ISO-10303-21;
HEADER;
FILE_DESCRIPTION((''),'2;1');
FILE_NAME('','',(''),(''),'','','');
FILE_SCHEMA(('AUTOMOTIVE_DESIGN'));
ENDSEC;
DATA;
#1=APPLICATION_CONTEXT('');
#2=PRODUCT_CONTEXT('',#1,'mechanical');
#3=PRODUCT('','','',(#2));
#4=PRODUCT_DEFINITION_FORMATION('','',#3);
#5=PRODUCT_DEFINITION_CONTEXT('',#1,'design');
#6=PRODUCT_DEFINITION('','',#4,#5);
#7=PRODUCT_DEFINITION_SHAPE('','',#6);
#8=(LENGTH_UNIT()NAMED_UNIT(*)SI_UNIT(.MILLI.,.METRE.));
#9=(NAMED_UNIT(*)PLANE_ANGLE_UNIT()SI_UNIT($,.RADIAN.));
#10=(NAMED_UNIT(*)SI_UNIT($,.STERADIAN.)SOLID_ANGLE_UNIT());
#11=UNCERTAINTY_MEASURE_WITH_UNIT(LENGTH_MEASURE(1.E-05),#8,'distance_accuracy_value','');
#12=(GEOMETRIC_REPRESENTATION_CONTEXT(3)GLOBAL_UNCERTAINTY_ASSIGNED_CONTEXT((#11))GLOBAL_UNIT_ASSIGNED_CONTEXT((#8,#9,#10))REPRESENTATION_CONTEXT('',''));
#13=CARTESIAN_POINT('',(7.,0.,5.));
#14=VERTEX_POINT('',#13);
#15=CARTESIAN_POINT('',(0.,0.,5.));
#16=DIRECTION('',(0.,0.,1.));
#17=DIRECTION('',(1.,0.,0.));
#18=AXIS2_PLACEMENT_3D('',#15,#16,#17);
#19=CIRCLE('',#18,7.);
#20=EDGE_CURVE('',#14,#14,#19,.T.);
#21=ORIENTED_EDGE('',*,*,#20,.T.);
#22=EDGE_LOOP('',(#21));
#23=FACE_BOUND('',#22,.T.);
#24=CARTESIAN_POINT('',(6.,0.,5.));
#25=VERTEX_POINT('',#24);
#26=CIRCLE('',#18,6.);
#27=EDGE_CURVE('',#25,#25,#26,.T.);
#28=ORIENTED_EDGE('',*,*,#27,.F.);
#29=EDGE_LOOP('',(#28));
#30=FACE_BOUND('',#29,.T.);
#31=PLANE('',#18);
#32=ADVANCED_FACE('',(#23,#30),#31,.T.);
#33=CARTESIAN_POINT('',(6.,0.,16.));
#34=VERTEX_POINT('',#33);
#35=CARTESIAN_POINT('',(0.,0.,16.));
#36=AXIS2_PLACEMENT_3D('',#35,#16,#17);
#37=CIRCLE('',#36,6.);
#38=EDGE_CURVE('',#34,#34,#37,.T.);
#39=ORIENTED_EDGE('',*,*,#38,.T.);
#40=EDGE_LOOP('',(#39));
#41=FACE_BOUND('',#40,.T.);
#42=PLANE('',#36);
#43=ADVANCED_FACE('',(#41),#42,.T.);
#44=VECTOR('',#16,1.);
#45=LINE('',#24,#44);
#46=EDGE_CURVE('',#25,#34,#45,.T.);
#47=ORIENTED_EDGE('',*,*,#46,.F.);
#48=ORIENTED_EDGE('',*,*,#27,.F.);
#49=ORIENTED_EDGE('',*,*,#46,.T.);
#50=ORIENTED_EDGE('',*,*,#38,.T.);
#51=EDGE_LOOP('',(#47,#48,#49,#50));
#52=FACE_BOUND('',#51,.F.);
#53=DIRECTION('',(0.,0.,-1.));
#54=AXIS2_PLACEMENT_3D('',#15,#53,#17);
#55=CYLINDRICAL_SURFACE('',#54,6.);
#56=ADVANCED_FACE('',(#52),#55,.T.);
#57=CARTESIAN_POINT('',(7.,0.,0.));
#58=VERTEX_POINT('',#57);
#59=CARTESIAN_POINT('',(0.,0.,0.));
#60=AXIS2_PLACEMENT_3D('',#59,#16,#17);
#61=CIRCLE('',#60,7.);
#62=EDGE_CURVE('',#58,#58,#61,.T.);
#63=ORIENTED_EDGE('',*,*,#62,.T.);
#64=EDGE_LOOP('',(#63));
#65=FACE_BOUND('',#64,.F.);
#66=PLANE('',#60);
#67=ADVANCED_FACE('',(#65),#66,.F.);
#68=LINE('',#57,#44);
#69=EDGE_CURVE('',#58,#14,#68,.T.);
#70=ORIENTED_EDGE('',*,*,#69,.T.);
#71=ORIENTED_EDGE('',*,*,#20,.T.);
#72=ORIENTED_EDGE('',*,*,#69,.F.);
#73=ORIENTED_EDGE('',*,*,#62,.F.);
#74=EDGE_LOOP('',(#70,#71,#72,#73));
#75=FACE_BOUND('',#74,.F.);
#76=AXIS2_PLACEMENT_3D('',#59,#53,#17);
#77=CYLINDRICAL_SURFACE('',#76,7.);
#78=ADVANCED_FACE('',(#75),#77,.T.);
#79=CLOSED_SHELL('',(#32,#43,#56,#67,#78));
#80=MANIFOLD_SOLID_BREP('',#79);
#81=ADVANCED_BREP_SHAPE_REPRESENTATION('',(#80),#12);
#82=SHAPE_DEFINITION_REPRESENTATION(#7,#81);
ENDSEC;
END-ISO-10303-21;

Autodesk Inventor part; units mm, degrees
ref_plane "YZ Plane" through (0, 0, 0) normal (1, 0, 0) x (0, 1, 0)
ref_plane "XZ Plane" through (0, 0, 0) normal (0, 1, 0) x (-1, 0, 0)
ref_plane "XY Plane" through (0, 0, 0) normal (0, 0, 1) x (1, 0, 0)
sketch "Sketch1" plane through (0, 0, 0) normal (0, 0, 1) x (1, 0, 0)
  circle A0 centre (0, 0) radius 7
  dimension "d0" = 14
extrude "Extrusion1" add sketch "Sketch1" along normal blind 5
sketch "Sketch2" plane through (0, 0, 5) normal (0, 0, 1) x (1, 0, 0)
  circle A0 centre (0, 0) radius 6
  dimension "d3" = 12
extrude "Extrusion2" add sketch "Sketch2" along normal blind 11
properties part number "CameraLensModel" material "Iron, Ductile"
